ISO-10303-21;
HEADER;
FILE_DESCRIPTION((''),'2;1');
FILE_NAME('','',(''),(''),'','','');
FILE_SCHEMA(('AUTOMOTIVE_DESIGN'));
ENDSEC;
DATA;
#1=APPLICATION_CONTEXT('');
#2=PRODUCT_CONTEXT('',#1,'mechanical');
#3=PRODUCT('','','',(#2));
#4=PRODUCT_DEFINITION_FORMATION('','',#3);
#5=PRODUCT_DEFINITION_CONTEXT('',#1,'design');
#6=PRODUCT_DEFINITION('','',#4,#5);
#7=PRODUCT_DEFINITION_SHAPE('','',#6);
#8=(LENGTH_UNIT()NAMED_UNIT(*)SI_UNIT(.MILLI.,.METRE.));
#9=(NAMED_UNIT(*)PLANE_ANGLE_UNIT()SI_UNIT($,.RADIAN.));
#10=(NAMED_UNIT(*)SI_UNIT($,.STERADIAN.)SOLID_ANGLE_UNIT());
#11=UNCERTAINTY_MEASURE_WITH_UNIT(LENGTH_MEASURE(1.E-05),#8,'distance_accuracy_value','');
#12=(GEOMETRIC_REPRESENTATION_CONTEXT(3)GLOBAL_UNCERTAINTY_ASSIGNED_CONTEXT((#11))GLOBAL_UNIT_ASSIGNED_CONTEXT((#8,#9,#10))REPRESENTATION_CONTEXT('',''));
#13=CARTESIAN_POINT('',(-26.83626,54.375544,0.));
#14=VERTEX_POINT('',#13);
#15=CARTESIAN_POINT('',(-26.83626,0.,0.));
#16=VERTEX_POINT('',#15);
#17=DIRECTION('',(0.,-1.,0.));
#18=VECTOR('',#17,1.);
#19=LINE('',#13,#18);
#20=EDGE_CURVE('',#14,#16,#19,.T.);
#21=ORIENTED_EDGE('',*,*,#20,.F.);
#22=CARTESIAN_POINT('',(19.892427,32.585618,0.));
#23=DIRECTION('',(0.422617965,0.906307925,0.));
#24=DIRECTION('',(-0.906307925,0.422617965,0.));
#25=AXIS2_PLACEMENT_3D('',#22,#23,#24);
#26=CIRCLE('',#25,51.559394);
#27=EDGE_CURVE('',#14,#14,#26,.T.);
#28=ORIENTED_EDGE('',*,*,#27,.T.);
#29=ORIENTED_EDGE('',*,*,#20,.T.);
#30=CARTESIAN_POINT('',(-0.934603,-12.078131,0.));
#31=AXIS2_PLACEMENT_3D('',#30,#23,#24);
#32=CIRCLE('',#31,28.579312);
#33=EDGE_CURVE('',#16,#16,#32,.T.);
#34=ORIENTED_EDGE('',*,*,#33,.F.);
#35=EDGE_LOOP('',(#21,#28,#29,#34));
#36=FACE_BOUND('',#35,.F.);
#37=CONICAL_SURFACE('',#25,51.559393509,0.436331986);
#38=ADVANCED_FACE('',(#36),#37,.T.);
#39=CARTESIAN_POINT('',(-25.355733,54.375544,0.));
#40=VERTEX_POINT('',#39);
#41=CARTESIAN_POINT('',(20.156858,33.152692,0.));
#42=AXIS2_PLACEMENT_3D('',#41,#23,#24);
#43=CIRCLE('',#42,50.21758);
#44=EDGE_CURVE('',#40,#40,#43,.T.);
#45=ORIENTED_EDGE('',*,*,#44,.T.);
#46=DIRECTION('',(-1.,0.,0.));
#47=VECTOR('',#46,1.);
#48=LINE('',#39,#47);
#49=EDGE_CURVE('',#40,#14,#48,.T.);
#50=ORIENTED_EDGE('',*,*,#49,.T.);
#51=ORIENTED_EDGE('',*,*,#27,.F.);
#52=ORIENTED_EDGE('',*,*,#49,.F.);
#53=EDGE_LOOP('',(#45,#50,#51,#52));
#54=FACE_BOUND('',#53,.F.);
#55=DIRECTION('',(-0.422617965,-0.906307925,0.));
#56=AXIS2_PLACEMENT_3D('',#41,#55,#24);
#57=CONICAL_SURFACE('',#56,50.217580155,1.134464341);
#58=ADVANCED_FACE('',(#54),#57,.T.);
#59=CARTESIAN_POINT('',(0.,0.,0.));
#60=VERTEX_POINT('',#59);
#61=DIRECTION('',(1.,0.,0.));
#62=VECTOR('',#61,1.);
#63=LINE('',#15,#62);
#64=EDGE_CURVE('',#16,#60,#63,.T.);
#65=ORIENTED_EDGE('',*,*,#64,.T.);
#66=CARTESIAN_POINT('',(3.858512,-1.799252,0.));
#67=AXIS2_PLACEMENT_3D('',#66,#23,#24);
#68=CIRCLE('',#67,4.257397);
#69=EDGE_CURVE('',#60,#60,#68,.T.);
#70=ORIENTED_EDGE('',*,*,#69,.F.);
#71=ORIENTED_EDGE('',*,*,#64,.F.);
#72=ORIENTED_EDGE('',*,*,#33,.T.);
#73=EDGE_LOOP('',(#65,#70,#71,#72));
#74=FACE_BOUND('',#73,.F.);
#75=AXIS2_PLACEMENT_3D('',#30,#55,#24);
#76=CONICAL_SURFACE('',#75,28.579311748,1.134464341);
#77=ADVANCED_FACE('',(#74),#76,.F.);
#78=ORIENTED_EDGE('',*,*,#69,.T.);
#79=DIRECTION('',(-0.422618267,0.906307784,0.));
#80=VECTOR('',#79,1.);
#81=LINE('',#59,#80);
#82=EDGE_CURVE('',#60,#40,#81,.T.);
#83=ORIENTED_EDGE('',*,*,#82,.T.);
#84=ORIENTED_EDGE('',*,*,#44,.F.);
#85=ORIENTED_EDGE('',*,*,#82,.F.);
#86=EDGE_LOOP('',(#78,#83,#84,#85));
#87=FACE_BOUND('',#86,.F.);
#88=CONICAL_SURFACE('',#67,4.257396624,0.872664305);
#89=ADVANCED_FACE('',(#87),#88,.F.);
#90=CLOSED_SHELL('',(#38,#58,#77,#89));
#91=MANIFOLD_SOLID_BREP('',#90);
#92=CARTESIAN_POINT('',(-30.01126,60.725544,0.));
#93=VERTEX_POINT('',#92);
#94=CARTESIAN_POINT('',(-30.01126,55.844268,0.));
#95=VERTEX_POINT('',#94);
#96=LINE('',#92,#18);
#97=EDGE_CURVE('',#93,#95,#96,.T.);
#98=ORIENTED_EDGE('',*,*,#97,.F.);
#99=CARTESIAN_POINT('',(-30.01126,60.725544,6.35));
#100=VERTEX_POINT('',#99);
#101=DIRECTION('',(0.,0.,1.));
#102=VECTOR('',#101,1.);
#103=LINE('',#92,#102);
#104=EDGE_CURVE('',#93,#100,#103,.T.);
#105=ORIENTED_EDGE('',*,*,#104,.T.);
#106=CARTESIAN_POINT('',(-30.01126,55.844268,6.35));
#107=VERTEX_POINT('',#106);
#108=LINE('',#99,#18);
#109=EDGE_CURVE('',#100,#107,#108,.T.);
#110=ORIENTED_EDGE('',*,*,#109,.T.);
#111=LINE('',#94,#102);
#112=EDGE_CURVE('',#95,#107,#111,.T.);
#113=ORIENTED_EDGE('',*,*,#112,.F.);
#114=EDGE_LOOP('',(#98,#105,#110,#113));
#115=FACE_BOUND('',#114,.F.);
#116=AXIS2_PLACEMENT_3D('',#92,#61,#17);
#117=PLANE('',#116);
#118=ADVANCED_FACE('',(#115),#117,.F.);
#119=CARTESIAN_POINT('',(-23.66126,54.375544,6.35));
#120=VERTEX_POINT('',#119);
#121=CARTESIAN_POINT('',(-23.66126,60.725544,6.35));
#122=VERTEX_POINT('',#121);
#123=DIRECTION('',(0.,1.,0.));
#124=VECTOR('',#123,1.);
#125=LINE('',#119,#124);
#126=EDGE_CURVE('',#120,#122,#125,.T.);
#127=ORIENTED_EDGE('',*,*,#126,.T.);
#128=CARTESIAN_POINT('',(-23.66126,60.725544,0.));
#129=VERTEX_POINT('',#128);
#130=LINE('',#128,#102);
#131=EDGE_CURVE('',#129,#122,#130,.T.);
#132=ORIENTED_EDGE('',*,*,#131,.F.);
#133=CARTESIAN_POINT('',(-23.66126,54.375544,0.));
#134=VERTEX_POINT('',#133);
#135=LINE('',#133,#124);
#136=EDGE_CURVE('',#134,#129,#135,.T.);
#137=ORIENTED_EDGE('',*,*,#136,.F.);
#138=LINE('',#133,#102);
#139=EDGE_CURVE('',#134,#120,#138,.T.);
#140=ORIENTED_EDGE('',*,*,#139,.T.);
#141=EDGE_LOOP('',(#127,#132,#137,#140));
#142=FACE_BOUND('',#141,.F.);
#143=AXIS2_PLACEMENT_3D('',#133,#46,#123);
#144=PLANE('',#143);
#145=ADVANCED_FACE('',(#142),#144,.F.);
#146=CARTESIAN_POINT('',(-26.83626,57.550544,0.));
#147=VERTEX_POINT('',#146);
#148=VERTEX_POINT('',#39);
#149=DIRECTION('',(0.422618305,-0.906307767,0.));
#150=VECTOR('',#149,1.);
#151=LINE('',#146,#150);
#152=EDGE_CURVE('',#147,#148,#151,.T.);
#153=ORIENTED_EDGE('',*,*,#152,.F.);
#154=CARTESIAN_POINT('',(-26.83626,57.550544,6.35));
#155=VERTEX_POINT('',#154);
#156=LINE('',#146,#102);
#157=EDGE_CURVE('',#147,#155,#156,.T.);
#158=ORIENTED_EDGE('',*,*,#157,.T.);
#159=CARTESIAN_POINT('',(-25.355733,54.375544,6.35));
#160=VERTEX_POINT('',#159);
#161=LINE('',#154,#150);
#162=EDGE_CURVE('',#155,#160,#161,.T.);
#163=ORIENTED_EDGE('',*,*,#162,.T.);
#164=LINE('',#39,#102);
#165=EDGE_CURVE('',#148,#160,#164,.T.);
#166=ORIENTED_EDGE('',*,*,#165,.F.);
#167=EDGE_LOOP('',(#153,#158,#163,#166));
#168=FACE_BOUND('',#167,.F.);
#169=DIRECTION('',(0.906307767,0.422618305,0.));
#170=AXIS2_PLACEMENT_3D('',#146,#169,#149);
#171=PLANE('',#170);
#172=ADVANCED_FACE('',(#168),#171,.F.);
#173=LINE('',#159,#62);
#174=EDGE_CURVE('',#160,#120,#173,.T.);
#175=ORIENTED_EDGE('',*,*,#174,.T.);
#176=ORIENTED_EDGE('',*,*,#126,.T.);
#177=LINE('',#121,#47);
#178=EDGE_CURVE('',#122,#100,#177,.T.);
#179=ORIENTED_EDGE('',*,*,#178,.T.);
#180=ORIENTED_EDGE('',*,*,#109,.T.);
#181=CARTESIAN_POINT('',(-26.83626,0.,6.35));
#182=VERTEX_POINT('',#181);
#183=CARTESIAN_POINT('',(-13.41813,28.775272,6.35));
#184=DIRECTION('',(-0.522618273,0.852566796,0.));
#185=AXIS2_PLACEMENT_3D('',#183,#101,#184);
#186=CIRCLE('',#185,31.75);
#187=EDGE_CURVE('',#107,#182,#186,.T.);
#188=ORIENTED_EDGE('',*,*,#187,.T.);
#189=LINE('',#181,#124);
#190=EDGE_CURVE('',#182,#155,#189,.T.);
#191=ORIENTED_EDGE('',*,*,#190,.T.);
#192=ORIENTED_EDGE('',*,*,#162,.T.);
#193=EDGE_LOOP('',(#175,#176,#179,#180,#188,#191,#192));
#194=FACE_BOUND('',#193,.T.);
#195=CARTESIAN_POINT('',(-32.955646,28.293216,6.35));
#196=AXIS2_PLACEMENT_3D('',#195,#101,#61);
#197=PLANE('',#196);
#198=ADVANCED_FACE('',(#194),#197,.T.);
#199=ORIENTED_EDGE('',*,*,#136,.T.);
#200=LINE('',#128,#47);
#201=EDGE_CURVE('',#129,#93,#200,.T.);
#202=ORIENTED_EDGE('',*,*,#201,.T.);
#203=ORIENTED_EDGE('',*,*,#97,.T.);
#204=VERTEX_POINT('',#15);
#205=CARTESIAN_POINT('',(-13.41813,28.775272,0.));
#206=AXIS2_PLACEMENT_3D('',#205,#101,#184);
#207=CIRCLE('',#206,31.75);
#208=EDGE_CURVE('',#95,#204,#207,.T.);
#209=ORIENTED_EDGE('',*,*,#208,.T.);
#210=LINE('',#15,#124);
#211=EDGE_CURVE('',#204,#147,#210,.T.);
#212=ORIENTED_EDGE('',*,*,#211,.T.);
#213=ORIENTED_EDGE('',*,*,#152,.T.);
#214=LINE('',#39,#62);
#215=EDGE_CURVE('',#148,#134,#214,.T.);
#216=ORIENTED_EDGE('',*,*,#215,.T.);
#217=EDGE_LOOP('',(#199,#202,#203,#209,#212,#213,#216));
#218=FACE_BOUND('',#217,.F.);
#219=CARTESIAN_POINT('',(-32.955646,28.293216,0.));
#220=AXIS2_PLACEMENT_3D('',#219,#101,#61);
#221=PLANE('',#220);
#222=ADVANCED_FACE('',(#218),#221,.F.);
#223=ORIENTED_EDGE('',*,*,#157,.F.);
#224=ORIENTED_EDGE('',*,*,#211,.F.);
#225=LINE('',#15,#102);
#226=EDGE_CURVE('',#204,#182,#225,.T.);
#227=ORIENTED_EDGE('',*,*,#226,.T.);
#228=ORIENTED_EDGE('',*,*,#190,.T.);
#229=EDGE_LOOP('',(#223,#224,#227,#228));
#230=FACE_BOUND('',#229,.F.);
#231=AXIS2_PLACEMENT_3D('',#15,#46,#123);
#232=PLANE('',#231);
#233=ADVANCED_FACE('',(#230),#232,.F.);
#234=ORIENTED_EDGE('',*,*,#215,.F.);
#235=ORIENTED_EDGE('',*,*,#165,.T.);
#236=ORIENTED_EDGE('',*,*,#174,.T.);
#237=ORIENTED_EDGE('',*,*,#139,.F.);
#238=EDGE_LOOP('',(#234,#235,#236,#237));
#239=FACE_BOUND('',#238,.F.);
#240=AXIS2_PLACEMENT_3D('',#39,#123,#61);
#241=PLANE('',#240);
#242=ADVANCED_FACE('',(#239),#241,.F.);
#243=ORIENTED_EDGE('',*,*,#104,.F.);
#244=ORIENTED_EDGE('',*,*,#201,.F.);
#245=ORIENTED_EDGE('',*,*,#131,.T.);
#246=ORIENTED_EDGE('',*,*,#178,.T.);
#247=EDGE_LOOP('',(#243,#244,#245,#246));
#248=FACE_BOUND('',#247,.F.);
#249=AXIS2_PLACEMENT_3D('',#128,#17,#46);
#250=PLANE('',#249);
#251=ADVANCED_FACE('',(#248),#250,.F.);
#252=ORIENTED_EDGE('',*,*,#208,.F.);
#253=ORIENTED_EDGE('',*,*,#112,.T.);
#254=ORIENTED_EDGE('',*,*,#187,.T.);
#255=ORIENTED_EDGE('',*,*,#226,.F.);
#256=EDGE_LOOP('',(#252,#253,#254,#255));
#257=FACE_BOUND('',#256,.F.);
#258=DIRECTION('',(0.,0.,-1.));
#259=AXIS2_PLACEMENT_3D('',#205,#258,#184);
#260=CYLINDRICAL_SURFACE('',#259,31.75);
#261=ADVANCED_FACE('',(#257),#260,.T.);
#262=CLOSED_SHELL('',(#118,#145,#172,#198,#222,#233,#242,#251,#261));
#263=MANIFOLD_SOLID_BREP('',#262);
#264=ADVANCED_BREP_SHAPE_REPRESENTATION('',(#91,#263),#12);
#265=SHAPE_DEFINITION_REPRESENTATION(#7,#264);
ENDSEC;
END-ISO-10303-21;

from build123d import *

# Parameters (mm, degrees)
F1_DEPTH = 6.35


with BuildPart() as f1:
    # F0 (on Top) → F1 (new body)
    with BuildSketch(Plane.XY):
        with BuildLine():
            ThreePointArc((-30.01126, 55.844268), (-45.116939, 26.973051), (-26.83626, 0))
            Line((-26.83626, 0), (-26.83626, 54.375544))
            Line((-26.83626, 54.375544), (-30.01126, 54.375544))
            Line((-30.01126, 54.375544), (-30.01126, 55.844268))
        make_face()
        with BuildLine():
            Line((-26.83626, 54.375544), (-26.83626, 57.550544))
            ThreePointArc((-26.83626, 57.550544), (-28.447992, 56.742498), (-30.01126, 55.844268))
            Line((-30.01126, 55.844268), (-30.01126, 54.375544))
            Line((-30.01126, 54.375544), (-26.83626, 54.375544))
        make_face()
        with BuildLine():
            Line((-26.83626, 57.550544), (-25.355733, 54.375544))
            Line((-25.355733, 54.375544), (-23.66126, 54.375544))
            Line((-23.66126, 54.375544), (-23.66126, 60.725544))
            Line((-23.66126, 60.725544), (-30.01126, 60.725544))
            Line((-30.01126, 60.725544), (-30.01126, 55.844268))
            ThreePointArc((-30.01126, 55.844268), (-28.447992, 56.742498), (-26.83626, 57.550544))
        make_face()
    extrude(amount=F1_DEPTH)


with BuildPart() as f2:
    # F0 (on Top) → F2 (revolve)
    with BuildSketch(Plane.XY):
        Polygon((-26.83626, 0), (0, 0), (-25.355733, 54.375544), (-26.83626, 54.375544), align=None)
    revolve(axis=Axis((21.35777, 35.728059, 0), (0.422618, 0.906308, 0)))


solid = Compound([f1.part, f2.part])
